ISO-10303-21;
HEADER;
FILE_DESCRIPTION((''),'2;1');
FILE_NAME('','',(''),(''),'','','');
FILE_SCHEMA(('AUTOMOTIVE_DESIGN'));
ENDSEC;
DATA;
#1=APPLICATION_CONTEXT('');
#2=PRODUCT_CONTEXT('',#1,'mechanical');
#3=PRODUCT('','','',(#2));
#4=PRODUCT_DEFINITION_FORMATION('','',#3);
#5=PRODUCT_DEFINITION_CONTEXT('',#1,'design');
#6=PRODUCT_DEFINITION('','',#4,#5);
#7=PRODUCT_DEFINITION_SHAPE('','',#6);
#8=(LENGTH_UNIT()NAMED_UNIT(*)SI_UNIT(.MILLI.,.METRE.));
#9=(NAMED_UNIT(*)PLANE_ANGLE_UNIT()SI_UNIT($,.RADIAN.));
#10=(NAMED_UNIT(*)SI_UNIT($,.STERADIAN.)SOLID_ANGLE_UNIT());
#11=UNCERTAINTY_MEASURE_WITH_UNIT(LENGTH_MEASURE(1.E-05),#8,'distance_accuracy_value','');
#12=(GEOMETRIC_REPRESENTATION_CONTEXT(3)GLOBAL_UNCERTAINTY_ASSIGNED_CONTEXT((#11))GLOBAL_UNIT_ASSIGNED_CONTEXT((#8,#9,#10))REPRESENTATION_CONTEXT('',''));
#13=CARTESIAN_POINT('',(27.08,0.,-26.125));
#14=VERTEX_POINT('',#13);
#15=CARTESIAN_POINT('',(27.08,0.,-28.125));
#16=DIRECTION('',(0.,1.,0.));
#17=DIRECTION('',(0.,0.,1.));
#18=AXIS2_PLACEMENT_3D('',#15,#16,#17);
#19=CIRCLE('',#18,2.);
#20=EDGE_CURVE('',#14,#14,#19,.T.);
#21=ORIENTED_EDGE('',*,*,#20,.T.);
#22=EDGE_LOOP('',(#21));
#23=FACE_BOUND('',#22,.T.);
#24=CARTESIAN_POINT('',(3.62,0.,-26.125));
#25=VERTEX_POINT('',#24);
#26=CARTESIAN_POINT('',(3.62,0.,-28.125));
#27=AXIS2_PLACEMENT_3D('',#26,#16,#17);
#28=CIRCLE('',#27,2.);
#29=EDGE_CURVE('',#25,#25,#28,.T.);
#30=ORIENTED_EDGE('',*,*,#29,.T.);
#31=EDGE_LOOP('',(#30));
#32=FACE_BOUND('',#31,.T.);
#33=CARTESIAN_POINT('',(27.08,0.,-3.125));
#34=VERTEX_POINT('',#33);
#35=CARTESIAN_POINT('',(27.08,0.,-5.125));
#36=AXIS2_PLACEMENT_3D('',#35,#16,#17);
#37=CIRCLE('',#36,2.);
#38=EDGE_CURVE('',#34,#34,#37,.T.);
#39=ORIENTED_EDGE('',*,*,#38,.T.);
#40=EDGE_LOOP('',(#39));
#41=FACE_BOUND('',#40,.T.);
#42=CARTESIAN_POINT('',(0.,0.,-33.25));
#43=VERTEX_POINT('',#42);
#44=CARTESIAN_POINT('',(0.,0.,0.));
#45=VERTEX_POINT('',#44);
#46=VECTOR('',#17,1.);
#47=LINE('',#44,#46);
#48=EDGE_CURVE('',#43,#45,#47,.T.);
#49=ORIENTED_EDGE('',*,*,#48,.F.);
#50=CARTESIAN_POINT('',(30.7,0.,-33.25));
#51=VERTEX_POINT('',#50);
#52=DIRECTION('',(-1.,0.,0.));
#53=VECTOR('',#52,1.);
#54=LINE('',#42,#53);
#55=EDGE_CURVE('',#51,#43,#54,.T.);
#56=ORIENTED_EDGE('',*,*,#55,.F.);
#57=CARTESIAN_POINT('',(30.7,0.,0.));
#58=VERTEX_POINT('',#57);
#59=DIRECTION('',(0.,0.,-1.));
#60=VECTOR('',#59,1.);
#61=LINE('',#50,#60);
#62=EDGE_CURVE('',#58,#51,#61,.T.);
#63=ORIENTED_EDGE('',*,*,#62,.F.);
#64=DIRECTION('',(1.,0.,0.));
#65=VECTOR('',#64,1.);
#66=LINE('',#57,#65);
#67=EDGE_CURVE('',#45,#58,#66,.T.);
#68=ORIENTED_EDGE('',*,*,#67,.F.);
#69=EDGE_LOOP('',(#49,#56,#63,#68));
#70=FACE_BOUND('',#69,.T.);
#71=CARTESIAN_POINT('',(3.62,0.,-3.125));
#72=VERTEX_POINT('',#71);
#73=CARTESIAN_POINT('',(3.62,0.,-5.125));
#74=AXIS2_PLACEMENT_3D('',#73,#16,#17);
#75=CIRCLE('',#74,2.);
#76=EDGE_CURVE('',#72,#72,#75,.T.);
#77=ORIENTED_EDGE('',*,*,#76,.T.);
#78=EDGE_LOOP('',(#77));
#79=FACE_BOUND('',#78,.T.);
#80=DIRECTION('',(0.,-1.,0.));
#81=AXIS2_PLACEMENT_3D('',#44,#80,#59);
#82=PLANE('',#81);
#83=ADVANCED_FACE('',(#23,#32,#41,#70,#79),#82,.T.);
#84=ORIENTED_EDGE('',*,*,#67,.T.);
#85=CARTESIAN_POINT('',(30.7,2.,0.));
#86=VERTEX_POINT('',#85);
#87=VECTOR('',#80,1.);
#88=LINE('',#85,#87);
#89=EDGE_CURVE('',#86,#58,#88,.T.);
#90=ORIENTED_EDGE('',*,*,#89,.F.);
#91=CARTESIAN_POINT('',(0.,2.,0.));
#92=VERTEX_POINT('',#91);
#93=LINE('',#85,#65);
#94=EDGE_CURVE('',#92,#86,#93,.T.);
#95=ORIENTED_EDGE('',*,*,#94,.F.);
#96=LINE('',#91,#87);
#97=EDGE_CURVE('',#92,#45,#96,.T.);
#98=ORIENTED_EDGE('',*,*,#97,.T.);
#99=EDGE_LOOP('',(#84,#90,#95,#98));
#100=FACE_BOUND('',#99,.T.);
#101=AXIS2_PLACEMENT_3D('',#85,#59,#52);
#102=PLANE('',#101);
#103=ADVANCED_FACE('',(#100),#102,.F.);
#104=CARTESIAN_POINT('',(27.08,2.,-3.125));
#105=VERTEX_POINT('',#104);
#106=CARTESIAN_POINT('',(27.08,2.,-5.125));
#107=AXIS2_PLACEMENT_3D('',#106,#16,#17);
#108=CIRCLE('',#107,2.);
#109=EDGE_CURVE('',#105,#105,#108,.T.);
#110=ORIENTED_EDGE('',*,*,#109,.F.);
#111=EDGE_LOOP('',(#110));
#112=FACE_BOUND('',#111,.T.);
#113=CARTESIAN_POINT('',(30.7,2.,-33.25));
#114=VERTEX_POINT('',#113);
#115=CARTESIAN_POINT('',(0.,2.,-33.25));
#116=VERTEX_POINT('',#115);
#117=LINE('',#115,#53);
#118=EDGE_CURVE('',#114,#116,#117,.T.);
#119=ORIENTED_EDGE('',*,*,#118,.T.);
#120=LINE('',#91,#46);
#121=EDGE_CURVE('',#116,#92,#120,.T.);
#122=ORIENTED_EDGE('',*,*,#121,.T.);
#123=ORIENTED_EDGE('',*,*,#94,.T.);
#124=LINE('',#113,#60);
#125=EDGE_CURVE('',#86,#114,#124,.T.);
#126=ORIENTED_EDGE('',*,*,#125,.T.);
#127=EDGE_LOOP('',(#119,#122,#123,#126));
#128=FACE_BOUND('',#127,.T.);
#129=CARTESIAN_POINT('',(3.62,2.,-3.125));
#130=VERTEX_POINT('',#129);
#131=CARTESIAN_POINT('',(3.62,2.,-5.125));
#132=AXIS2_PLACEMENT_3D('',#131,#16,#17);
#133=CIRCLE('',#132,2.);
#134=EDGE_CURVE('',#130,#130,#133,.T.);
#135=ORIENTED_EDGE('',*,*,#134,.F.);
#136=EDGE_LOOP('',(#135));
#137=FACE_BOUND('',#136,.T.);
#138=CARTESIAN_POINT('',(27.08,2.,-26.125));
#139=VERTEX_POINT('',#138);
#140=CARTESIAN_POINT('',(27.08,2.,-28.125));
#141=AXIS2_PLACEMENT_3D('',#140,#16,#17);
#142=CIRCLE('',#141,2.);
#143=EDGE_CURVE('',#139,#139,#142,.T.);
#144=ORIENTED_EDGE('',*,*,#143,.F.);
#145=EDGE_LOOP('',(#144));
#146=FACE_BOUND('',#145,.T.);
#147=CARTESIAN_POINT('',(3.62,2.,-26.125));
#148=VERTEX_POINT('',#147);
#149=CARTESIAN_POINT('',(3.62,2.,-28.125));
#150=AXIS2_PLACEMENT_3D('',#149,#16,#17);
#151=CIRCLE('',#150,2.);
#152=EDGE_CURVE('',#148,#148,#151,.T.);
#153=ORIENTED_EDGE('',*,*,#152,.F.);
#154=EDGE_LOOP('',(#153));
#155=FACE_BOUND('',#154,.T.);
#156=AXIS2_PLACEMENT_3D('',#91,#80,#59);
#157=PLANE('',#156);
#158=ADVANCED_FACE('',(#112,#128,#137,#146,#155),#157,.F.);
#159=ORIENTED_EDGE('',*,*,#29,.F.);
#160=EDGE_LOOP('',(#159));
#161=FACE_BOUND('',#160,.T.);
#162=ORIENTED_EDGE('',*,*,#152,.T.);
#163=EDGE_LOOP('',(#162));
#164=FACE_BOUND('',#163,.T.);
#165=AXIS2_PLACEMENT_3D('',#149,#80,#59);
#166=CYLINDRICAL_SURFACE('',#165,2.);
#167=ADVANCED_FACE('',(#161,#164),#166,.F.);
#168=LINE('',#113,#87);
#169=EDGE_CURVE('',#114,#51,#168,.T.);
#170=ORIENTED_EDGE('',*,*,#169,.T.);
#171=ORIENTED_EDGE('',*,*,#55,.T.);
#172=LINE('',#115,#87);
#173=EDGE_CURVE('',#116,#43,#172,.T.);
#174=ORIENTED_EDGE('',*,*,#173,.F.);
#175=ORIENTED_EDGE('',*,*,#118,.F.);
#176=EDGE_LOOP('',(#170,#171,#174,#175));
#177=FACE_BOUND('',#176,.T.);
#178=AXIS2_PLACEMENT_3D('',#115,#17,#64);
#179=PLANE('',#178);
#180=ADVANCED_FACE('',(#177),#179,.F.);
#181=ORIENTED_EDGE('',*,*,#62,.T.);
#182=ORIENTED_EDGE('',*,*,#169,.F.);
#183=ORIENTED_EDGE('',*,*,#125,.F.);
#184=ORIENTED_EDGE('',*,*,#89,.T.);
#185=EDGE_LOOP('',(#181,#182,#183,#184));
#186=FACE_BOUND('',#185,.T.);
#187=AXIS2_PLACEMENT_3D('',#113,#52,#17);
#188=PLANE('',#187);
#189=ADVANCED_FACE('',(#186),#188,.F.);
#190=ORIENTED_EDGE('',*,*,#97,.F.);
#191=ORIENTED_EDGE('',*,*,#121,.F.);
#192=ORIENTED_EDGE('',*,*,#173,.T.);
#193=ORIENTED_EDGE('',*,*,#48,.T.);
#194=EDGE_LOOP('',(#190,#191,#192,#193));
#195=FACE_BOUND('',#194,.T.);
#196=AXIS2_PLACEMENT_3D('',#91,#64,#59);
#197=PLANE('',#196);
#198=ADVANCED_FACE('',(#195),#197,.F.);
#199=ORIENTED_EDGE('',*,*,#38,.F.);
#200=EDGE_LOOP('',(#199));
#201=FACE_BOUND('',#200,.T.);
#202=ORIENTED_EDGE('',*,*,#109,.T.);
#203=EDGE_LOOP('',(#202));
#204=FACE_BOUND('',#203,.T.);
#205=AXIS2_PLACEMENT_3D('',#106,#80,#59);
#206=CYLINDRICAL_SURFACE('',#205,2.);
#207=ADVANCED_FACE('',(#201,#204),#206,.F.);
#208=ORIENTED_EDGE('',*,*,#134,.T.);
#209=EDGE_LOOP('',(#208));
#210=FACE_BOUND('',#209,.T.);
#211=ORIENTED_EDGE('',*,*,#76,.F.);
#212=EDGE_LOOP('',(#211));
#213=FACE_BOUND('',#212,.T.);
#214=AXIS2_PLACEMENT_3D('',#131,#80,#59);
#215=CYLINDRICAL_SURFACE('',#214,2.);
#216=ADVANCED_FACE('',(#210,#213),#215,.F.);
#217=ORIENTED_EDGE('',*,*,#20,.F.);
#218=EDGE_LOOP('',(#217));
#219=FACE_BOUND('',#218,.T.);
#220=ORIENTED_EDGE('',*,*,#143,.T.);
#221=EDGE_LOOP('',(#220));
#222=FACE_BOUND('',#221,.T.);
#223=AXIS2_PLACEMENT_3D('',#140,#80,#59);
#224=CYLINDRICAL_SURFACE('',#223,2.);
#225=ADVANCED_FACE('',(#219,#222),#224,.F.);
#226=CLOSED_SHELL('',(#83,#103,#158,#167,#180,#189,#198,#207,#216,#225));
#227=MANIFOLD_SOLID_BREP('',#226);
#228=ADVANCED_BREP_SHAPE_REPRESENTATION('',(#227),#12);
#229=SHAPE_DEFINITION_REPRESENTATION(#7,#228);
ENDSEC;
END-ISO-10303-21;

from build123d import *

# Parameters (mm, degrees)
SKETCH1_W           = 30.7
SKETCH1_H           = 33.25
SKETCH1_R           = 2
BOSS_EXTRUDE1_DEPTH = 2


with BuildPart() as part:
    # Sketch1 → Boss-Extrude1 (new body)
    with BuildSketch(Plane(origin=(0, 0, 0), x_dir=(1, 0, 0), z_dir=(0, 1, 0))):
        with Locations((15.35, 16.625)):
            Rectangle(SKETCH1_W, SKETCH1_H)
        with Locations((3.62, 28.125)):
            Circle(SKETCH1_R, mode=Mode.SUBTRACT)
        with Locations((27.08, 28.125)):
            Circle(SKETCH1_R, mode=Mode.SUBTRACT)
        with Locations((27.08, 5.125)):
            Circle(SKETCH1_R, mode=Mode.SUBTRACT)
        with Locations((3.62, 5.125)):
            Circle(SKETCH1_R, mode=Mode.SUBTRACT)
    extrude(amount=BOSS_EXTRUDE1_DEPTH)


solid = part.part
